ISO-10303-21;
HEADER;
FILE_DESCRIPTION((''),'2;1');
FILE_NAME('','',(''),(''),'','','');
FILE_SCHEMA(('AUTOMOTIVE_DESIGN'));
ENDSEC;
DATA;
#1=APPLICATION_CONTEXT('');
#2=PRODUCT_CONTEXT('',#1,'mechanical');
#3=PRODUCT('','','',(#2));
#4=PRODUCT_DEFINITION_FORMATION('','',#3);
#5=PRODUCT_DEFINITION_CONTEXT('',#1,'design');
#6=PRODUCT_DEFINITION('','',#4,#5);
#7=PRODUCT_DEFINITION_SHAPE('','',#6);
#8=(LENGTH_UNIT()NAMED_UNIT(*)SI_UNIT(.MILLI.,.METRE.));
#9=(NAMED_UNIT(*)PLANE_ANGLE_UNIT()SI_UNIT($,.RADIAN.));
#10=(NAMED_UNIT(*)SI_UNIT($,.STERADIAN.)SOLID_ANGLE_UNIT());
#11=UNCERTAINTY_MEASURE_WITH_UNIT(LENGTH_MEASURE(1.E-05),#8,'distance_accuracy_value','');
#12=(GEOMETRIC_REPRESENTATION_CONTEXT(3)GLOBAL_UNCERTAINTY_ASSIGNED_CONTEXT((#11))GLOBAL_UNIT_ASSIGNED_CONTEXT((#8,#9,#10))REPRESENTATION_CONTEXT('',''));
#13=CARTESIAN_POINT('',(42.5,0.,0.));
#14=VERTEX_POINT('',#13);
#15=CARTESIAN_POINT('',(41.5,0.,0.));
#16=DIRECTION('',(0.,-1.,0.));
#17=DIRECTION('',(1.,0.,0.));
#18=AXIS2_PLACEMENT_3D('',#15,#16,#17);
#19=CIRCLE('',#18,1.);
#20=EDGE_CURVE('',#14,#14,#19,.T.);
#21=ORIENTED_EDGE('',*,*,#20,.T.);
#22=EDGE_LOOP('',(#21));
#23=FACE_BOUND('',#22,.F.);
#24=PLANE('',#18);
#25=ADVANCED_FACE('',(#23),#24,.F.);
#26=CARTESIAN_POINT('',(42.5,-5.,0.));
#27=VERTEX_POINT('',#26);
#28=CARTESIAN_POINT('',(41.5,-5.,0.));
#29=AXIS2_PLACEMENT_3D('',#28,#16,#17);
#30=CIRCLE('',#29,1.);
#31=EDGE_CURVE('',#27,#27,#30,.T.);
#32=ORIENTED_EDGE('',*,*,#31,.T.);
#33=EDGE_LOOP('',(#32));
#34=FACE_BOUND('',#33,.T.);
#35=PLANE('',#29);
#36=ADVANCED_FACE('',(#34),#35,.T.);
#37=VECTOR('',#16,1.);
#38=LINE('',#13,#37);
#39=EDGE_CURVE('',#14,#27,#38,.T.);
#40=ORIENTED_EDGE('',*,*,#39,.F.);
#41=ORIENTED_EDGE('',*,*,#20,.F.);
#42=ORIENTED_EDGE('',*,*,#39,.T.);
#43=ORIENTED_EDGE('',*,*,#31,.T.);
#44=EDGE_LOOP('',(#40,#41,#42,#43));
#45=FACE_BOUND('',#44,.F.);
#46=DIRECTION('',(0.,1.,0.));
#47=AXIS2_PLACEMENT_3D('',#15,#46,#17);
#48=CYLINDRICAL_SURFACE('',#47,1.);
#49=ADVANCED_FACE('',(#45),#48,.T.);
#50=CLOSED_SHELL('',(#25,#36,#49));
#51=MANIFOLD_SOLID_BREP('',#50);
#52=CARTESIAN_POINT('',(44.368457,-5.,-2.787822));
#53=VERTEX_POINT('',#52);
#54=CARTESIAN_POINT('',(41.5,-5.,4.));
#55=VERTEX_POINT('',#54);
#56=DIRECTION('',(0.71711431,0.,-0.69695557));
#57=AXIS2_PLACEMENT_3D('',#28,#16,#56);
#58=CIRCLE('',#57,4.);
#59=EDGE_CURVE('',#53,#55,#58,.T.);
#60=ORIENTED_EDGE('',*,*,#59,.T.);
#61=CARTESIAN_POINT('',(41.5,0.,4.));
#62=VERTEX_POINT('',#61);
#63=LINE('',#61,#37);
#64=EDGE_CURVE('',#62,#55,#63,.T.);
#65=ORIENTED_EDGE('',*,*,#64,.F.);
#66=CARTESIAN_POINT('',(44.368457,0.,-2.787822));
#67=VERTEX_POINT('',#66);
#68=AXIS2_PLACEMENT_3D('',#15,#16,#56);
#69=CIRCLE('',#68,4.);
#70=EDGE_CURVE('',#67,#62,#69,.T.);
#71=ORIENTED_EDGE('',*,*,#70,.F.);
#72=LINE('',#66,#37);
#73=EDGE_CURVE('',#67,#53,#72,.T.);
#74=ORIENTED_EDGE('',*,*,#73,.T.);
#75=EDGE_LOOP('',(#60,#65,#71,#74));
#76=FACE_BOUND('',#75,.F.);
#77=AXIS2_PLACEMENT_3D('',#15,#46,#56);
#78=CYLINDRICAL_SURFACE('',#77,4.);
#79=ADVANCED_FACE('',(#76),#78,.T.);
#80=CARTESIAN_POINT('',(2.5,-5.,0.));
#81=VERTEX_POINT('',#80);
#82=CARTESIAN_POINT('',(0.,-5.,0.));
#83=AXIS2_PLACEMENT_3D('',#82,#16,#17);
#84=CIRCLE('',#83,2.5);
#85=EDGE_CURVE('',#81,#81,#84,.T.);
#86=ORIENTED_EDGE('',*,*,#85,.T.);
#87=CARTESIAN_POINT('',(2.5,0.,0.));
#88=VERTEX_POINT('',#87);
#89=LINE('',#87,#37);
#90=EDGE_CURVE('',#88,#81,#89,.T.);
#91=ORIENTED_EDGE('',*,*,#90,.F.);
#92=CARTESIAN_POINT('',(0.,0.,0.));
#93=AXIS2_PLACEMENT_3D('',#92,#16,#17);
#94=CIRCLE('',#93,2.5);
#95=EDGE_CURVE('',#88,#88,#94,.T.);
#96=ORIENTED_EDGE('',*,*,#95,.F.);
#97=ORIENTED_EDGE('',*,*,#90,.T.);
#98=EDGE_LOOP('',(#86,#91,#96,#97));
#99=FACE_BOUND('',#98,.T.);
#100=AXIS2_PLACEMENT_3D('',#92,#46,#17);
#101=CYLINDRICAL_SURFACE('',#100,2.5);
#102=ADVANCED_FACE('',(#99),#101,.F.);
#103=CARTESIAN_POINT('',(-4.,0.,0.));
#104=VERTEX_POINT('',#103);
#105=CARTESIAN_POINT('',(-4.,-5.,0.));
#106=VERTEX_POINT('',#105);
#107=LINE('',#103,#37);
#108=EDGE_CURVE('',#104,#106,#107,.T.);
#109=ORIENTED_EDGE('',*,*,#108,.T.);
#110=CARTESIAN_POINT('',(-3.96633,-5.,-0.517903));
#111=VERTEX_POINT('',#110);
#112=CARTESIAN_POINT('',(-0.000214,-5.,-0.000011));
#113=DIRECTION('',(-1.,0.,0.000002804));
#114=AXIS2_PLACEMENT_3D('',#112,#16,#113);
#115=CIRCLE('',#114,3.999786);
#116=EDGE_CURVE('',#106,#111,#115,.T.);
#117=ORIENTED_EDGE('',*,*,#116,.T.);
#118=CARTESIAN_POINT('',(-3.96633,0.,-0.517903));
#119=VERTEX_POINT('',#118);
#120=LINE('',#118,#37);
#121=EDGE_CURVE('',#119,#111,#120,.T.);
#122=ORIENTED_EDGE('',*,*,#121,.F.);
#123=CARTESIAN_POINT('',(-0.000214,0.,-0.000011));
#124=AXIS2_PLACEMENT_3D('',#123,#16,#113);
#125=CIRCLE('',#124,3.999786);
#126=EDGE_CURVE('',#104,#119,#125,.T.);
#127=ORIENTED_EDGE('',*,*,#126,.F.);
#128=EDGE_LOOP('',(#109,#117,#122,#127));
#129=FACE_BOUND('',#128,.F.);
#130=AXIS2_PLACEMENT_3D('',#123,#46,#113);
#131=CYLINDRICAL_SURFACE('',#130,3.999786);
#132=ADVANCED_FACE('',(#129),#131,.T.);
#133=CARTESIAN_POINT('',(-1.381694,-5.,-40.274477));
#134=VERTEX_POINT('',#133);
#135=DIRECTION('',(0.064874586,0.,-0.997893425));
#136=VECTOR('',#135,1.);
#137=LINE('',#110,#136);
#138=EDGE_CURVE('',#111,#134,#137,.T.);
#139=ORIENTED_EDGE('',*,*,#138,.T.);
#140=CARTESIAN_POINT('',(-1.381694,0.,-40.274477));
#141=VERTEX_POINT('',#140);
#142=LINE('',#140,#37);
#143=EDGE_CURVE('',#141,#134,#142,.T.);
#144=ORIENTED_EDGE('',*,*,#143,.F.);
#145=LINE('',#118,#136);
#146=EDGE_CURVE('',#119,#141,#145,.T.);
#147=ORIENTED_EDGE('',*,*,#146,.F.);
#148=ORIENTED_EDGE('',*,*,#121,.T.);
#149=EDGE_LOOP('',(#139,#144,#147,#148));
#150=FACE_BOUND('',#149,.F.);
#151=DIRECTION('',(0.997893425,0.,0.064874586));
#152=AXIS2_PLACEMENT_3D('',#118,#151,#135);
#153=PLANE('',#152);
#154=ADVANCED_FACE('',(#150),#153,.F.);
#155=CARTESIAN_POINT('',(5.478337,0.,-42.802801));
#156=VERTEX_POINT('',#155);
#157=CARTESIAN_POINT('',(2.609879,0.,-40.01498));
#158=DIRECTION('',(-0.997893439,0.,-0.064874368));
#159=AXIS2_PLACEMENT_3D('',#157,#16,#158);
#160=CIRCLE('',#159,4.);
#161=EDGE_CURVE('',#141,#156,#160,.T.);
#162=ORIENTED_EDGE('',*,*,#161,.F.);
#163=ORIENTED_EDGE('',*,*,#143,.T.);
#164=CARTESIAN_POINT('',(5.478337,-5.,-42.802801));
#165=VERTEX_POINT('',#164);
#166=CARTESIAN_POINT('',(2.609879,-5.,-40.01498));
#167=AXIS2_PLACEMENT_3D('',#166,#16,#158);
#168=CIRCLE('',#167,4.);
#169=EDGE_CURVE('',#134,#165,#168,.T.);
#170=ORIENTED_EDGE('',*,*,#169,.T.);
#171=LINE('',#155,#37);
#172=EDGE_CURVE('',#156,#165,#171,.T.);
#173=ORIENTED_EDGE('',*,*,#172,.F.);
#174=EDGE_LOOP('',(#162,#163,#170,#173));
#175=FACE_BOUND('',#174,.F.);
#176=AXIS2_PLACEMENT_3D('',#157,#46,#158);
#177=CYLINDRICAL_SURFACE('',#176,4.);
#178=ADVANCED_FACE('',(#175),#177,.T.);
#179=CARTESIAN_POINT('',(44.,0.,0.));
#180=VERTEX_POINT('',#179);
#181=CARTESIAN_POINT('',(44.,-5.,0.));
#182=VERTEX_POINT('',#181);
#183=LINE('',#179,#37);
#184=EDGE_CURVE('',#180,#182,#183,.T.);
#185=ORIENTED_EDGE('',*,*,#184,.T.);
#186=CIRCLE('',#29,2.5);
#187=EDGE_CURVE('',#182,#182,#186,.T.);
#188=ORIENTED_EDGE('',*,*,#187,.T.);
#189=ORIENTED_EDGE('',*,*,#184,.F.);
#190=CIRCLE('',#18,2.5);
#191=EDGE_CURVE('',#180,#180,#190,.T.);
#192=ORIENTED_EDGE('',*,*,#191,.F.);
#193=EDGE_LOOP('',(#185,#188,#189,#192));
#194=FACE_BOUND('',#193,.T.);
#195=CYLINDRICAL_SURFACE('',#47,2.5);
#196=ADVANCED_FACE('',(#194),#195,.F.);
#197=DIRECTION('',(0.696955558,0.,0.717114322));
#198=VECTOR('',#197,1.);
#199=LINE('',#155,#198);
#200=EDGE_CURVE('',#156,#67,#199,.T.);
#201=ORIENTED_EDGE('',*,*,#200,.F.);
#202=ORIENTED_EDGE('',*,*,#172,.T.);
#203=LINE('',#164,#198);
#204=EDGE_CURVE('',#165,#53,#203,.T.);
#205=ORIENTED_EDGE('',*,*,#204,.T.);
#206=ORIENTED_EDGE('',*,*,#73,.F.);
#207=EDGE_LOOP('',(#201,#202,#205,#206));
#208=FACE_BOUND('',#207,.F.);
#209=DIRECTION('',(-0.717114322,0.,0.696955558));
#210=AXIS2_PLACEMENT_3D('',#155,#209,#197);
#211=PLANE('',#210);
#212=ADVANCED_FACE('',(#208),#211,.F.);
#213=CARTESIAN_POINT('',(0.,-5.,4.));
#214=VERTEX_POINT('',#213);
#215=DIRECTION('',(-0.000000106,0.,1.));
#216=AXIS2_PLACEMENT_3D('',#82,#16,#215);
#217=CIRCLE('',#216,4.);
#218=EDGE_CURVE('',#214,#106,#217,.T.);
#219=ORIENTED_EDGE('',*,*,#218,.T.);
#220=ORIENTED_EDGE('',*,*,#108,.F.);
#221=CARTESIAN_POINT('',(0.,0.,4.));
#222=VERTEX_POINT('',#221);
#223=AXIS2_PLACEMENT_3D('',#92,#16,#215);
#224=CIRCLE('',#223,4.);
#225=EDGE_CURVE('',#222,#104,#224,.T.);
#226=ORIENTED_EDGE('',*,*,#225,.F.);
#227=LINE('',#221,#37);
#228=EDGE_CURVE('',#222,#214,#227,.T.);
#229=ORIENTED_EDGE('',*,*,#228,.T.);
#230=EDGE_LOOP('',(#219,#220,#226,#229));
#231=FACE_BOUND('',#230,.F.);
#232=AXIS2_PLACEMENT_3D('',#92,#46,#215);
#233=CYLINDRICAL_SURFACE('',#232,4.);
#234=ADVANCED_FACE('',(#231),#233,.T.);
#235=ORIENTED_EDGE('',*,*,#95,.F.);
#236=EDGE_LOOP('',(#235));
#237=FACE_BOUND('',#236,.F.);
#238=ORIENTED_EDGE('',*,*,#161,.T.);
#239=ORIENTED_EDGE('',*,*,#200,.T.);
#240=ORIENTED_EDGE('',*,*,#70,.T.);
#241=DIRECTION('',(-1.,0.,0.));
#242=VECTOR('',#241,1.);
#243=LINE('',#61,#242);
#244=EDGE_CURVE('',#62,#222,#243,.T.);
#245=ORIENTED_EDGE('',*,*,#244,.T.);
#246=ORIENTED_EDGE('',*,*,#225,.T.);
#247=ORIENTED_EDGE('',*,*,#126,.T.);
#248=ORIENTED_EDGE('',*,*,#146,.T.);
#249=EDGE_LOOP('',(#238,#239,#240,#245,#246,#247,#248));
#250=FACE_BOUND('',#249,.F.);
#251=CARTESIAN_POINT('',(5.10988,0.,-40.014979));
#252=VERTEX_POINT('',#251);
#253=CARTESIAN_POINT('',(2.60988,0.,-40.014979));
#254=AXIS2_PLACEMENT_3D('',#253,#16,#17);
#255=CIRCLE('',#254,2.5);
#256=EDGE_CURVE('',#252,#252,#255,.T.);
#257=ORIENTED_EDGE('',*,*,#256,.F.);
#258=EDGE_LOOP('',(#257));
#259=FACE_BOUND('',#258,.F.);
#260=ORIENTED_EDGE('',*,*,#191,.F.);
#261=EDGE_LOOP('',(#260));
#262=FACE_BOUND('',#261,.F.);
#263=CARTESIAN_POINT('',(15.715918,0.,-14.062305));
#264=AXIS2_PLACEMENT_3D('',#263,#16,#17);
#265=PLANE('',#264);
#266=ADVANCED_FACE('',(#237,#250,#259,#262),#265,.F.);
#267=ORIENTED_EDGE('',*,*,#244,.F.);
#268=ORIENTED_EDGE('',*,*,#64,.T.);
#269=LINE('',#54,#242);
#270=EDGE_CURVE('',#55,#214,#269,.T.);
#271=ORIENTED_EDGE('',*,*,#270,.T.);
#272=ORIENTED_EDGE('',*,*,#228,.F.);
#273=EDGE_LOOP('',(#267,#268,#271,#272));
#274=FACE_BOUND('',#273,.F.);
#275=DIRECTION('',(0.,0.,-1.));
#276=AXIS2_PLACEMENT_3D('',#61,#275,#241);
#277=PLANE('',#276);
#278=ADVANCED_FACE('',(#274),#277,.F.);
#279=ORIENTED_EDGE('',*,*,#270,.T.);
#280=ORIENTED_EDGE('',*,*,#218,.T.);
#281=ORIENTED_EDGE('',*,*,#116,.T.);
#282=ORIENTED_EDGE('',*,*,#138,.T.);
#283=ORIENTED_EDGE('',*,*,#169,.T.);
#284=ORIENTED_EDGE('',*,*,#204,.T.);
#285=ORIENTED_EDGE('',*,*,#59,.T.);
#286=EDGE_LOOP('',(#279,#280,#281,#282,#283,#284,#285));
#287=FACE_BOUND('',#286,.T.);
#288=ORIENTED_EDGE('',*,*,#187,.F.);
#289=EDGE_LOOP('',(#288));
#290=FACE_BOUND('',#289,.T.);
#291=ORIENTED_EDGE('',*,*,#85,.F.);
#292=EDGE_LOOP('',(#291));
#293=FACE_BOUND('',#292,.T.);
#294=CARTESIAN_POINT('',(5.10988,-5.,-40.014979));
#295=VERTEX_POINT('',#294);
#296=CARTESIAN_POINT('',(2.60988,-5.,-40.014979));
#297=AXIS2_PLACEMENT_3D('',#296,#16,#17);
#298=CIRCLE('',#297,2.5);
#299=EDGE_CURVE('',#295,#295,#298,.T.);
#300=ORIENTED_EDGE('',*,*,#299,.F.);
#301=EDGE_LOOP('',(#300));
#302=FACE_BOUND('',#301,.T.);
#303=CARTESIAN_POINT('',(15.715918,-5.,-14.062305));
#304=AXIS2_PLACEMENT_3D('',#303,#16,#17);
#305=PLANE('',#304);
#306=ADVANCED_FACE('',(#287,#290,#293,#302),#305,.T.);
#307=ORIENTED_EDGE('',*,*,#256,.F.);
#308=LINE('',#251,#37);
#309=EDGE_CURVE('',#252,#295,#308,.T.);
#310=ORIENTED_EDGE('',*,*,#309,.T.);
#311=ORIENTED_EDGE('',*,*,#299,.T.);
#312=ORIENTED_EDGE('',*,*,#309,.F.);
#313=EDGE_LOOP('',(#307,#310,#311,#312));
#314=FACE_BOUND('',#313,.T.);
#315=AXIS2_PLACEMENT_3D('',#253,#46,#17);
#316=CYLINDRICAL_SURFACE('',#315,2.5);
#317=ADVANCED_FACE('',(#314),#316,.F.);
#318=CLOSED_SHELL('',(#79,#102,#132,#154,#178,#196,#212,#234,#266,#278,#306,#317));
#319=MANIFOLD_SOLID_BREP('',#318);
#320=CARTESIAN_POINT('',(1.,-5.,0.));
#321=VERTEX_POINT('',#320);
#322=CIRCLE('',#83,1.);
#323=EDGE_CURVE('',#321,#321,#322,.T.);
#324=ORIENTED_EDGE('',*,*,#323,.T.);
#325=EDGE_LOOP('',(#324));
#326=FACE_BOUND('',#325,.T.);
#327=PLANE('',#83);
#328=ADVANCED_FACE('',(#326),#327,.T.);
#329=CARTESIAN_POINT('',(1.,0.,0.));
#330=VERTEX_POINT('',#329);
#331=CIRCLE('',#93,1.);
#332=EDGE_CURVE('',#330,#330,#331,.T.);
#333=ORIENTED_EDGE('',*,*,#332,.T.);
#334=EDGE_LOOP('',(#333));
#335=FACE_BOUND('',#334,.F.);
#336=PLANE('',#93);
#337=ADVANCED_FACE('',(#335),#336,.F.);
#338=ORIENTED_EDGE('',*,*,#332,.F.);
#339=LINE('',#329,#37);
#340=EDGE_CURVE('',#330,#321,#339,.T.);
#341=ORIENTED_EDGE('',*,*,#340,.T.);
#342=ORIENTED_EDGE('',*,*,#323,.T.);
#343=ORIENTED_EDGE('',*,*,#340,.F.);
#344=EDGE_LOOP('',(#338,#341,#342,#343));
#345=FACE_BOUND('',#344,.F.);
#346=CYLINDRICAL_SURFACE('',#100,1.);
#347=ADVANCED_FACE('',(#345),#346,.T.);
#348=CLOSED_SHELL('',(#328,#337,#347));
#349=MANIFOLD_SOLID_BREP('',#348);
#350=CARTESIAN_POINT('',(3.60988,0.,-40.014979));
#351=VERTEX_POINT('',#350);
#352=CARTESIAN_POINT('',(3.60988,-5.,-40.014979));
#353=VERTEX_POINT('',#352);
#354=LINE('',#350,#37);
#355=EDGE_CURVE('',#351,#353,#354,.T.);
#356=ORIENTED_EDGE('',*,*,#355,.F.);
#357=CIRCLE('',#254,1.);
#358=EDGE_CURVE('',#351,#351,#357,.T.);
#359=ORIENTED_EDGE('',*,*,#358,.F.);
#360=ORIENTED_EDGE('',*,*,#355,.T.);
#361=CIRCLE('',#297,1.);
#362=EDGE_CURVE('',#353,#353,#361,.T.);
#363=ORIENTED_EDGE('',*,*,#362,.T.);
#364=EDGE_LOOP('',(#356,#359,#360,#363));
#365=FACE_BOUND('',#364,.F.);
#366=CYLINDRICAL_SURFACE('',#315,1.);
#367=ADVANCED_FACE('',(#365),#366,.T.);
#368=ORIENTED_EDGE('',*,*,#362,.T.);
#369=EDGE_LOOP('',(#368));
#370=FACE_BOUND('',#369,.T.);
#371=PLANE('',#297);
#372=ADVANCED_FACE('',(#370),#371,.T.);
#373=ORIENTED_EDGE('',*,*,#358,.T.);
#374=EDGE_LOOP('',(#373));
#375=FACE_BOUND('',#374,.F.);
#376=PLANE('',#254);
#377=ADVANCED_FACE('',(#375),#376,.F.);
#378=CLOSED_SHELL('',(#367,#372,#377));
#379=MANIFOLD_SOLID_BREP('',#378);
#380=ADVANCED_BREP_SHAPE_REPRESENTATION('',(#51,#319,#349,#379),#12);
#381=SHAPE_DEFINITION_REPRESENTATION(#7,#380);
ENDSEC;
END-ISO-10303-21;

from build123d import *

# Parameters (mm, degrees)
F0_R     = 2.5
F0_R_2   = 1
F1_DEPTH = 5


with BuildPart() as f1:
    # F0 (on Front) → F1 (new body)
    with BuildSketch(Plane.XZ):
        with BuildLine():
            Line((41.5, 4), (0, 4))
            ThreePointArc((0, 4), (-2.828427, 2.828427), (-4, 0))
            Line((-4, 0), (-3.96633, -0.517903))
            Line((-3.96633, -0.517903), (-1.381694, -40.274477))
            ThreePointArc((-1.381694, -40.274477), (1.226603, -43.768184), (5.478337, -42.802801))
            Line((5.478337, -42.802801), (44.368457, -2.787822))
            ThreePointArc((44.368457, -2.787822), (45.184514, 1.557034), (41.5, 4))
        make_face()
        with Locations((2.60988, -40.014979)):
            Circle(F0_R, mode=Mode.SUBTRACT)
        Circle(F0_R, mode=Mode.SUBTRACT)
        with Locations((41.5, 0)):
            Circle(F0_R, mode=Mode.SUBTRACT)
        with BuildLine():
            Line((-3.96633, -0.517903), (-4, 0))
            ThreePointArc((-4, 0), (-3.991574, -0.259498), (-3.96633, -0.517903))
        make_face()
        Circle(F0_R_2)
        with Locations((41.5, 0)):
            Circle(F0_R_2)
        with Locations((2.60988, -40.014979)):
            Circle(F0_R_2)
    extrude(amount=F1_DEPTH)


solid = f1.part
